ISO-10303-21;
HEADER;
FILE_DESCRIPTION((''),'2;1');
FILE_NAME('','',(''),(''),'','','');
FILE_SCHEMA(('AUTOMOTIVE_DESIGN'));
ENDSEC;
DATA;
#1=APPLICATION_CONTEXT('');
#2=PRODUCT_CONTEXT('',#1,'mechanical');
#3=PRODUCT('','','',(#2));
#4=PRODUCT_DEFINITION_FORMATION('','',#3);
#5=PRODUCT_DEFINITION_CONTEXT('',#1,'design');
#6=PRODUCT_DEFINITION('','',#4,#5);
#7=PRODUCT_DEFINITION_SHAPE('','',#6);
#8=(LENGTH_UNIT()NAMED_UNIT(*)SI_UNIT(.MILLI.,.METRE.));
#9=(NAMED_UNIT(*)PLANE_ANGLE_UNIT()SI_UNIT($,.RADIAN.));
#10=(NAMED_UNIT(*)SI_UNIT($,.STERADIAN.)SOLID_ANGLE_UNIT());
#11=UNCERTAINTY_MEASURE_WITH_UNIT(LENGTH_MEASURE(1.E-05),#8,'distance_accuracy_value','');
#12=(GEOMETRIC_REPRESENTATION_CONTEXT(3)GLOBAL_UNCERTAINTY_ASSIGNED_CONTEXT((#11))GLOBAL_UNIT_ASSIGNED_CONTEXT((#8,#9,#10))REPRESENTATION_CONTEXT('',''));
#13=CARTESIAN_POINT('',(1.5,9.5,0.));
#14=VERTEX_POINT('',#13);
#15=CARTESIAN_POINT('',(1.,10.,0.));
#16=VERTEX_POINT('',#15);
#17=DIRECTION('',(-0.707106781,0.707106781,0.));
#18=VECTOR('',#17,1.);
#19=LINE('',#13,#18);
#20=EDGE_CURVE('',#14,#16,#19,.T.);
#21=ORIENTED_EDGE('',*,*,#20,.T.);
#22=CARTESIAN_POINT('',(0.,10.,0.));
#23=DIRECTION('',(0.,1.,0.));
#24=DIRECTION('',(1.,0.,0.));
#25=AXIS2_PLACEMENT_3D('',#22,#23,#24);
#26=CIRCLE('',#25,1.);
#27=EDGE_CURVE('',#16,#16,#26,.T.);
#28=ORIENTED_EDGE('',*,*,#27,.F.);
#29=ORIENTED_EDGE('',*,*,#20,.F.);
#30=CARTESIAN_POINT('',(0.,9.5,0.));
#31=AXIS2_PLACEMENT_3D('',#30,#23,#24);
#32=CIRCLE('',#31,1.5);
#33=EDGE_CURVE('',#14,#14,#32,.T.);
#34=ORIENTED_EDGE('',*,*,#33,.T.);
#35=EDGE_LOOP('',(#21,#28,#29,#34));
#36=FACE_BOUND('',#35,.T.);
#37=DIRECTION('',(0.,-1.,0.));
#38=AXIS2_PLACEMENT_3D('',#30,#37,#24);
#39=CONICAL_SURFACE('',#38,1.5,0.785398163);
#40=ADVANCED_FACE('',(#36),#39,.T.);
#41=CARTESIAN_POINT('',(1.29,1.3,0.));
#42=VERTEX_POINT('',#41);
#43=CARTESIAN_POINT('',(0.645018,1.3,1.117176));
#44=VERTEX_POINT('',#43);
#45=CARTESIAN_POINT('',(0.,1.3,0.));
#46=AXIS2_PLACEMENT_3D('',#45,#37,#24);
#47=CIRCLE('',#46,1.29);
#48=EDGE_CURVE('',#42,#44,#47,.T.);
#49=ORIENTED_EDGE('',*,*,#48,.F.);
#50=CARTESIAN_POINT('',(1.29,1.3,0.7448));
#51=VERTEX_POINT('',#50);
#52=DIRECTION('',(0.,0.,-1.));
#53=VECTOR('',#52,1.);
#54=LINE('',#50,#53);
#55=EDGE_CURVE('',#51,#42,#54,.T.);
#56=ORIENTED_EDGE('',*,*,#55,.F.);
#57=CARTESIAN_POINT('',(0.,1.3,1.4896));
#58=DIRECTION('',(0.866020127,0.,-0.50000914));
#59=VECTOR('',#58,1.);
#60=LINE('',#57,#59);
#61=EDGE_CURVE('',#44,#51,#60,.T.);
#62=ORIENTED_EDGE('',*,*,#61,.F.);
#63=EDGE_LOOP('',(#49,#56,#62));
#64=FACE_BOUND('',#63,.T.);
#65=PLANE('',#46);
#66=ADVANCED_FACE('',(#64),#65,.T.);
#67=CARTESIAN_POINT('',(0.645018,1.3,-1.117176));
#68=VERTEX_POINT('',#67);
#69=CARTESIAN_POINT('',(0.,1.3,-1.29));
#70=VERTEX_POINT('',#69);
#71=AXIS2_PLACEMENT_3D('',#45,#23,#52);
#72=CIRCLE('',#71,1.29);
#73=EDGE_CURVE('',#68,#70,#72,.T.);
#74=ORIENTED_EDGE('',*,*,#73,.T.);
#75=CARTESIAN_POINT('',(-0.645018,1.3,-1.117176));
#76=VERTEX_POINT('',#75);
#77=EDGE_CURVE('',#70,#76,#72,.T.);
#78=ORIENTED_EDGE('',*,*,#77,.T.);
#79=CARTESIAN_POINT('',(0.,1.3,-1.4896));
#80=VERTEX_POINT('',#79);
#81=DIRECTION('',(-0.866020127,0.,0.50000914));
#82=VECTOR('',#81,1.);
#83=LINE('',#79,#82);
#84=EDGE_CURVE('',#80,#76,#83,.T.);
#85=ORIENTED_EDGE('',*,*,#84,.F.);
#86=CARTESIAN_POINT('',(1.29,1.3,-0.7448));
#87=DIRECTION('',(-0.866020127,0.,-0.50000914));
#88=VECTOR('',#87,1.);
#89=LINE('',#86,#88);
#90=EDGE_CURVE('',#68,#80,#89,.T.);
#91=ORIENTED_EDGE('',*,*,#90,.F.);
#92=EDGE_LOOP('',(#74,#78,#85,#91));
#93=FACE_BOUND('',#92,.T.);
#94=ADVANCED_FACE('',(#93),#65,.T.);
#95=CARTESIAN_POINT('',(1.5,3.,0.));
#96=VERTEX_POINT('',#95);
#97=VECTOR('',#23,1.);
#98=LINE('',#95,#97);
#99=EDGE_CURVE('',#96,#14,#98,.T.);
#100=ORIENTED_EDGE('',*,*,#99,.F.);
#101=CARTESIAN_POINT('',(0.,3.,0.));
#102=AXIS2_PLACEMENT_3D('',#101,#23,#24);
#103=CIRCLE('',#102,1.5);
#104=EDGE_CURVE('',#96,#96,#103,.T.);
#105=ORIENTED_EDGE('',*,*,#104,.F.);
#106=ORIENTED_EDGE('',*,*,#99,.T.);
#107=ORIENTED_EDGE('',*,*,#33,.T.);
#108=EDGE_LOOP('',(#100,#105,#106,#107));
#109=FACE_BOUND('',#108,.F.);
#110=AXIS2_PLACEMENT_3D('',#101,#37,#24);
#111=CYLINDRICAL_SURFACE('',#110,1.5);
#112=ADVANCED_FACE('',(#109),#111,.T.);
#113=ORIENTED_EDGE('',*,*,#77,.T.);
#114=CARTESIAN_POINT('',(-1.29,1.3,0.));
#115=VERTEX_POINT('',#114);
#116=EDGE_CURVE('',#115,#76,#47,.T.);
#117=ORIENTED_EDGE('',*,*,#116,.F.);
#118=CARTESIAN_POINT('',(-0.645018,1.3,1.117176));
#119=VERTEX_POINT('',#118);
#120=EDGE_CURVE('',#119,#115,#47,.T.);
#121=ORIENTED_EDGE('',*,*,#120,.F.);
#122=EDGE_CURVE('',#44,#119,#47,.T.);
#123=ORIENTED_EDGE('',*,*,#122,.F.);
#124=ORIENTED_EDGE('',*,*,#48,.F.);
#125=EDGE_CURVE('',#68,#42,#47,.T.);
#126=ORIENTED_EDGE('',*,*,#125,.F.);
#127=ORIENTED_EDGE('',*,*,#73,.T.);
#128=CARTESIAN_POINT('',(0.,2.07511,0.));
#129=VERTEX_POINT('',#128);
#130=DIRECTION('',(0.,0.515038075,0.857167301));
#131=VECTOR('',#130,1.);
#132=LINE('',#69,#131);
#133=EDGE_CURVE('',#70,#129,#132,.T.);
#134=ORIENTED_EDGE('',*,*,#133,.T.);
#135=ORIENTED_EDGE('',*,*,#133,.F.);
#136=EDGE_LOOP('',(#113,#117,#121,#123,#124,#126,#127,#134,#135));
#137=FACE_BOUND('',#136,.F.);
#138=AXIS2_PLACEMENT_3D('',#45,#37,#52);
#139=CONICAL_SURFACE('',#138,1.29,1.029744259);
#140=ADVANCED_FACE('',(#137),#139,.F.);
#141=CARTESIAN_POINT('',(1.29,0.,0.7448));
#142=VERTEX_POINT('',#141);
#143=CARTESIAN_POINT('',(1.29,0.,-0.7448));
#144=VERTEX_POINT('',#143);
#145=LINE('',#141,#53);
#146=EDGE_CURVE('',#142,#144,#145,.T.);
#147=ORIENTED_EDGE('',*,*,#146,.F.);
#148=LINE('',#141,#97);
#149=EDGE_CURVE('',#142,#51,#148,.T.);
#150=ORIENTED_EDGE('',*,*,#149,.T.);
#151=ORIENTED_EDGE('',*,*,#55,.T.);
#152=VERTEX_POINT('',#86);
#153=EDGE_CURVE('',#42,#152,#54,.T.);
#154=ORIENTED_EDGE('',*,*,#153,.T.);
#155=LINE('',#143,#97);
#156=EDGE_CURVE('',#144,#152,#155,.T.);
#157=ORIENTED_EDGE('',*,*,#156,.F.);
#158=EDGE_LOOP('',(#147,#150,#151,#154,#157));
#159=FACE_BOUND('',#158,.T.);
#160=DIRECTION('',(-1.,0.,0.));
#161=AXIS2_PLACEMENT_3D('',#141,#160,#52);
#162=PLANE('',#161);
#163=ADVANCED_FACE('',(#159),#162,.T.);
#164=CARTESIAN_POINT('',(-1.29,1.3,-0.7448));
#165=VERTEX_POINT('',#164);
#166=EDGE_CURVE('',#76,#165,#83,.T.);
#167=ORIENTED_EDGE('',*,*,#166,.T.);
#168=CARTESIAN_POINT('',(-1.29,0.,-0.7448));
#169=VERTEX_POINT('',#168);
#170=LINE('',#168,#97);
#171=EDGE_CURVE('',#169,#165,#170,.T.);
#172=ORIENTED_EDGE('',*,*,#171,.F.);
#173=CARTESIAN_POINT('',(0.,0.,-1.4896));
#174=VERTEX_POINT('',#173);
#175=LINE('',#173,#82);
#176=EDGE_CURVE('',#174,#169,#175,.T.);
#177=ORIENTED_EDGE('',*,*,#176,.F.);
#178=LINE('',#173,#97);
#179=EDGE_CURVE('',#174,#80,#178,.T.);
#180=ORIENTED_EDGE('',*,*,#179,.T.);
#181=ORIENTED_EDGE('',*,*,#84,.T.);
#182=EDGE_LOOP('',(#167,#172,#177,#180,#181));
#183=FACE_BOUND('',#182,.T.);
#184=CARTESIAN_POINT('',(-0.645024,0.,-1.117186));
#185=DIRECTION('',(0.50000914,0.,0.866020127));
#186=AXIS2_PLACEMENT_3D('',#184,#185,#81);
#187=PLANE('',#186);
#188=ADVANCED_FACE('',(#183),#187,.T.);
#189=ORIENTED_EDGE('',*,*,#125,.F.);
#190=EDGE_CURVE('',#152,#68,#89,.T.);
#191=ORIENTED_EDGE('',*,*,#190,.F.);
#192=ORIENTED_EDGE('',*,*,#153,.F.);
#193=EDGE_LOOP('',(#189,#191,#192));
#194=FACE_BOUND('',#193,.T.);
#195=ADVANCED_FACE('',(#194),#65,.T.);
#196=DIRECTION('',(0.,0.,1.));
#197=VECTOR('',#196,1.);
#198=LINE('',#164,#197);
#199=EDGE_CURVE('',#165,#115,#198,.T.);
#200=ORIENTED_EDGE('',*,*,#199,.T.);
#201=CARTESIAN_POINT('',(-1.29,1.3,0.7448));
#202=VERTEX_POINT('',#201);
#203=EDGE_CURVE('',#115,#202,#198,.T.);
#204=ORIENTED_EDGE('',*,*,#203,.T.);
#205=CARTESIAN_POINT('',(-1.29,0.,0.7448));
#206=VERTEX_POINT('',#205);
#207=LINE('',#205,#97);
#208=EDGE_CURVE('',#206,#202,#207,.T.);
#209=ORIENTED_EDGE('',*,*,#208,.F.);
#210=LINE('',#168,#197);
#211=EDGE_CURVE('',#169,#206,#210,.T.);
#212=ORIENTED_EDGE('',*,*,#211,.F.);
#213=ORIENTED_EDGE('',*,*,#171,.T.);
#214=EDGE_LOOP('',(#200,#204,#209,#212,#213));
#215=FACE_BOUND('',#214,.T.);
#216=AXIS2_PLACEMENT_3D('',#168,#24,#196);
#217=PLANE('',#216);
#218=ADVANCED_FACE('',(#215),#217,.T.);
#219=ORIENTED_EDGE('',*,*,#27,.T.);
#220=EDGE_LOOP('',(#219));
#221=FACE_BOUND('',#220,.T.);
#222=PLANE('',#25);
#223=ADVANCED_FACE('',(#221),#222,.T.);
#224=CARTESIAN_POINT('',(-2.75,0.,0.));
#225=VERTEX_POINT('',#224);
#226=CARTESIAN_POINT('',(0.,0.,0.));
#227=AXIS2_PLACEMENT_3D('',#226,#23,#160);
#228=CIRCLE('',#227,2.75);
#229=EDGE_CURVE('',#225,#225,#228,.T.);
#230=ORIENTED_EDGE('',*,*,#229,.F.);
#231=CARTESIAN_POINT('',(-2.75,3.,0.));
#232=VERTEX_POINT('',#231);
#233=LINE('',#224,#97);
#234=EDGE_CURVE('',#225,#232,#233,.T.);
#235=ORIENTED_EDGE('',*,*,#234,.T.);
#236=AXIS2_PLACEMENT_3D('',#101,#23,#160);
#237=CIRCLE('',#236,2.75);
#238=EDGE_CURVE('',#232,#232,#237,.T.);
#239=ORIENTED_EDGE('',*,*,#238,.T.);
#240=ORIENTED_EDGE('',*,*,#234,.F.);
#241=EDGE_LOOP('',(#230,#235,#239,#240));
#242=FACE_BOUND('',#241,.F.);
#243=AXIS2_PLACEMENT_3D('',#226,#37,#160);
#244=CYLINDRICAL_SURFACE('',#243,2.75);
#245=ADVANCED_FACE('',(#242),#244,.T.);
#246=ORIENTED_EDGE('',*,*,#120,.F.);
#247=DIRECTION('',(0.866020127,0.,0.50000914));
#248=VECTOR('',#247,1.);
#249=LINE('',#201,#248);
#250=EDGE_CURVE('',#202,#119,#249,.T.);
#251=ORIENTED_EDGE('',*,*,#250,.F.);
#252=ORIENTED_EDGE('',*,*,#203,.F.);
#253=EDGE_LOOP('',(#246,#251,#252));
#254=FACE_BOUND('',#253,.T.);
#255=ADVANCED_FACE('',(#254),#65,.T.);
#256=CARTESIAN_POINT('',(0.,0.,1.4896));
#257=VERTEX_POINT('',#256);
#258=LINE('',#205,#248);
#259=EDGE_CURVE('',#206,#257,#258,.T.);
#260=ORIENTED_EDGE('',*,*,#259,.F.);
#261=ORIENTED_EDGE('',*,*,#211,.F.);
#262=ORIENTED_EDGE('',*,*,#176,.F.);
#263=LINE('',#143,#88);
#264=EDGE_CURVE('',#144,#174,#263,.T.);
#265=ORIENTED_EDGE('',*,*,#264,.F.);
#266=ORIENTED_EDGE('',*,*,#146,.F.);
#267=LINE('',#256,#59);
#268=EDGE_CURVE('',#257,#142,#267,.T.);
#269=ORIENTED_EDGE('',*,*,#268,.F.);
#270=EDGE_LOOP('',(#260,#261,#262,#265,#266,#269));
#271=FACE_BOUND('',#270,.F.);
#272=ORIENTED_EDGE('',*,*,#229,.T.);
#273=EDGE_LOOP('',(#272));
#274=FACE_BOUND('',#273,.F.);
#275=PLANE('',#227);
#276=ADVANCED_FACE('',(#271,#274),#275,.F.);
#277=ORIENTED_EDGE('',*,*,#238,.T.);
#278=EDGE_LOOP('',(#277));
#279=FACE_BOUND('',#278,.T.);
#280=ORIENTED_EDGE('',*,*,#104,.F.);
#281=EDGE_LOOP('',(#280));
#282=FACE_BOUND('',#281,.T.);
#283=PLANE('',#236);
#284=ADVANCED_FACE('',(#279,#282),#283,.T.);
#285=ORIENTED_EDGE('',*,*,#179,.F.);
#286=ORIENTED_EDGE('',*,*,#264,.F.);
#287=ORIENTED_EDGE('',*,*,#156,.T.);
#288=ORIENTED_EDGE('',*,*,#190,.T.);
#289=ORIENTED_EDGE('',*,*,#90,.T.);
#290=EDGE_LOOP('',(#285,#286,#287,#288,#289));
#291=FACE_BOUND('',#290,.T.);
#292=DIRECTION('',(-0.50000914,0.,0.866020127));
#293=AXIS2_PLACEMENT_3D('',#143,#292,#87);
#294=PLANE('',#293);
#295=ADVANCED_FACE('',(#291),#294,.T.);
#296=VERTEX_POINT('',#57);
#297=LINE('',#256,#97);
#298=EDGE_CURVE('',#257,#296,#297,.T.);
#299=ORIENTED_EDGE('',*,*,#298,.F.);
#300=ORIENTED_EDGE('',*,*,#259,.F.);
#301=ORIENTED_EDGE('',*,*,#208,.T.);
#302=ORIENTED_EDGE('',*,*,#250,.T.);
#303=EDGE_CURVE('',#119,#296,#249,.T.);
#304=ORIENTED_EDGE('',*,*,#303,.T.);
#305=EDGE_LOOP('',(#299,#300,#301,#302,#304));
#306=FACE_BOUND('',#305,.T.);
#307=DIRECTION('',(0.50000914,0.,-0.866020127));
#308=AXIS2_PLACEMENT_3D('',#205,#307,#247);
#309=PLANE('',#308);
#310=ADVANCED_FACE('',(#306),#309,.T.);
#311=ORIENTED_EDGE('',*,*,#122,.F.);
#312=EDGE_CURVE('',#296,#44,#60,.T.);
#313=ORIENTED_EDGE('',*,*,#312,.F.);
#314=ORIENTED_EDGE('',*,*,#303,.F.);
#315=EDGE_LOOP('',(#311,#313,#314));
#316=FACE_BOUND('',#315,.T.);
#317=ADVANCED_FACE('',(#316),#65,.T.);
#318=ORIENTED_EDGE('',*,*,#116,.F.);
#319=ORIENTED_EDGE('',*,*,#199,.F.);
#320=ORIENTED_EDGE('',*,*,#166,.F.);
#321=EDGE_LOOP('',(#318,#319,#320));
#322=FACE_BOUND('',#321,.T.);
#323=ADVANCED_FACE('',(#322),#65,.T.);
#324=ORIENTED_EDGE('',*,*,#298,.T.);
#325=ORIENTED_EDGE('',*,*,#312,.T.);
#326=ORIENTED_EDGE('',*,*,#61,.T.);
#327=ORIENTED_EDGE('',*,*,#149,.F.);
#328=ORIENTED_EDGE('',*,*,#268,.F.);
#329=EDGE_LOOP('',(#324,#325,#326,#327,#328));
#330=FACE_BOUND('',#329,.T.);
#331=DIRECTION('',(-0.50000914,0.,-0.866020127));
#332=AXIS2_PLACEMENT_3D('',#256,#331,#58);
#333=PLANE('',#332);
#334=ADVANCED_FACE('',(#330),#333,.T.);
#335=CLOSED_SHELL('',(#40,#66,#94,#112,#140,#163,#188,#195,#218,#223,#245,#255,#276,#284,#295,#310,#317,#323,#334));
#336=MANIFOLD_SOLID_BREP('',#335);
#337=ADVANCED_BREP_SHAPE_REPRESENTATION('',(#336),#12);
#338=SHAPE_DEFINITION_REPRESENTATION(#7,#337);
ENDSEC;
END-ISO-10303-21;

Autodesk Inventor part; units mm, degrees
ref_plane "YZ Plane" through (0, 0, 0) normal (1, 0, 0) x (0, 1, 0)
ref_plane "XZ Plane" through (0, 0, 0) normal (0, 1, 0) x (-1, 0, 0)
ref_plane "XY Plane" through (0, 0, 0) normal (0, 0, 1) x (1, 0, 0)
sketch "Boceto1" plane through (0, 0, 0) normal (0, 1, 0) x (-1, 0, 0)
  circle A0 centre (0, 0) radius 2.75
  dimension "d0" = 5.5
extrude "Extrusión1" add sketch "Boceto1" along normal blind 3
sketch "Boceto2" plane through (0, 0, 0) normal (0, -1, 0) x (1, 0, 0)
  point P0 (0, 0)
  point P1 (0, 0)
hole "Agujero1" at (0, 0, 0) direction (0, 1, 0) diameter 2.58 depth 1.3 tip angle 118
sketch "Boceto3" plane through (0, 0, 0) normal (0, -1, 0) x (1, 0, 0)
  circle A0 centre (0, 0) radius 1.29 projected
  line L0 (0, 1.4896) -> (1.29, 0.7448)
  line L1 (1.29, 0.7448) -> (1.29, -0.7448)
  line L2 (1.29, -0.7448) -> (0, -1.4896)
  line L3 (0, -1.4896) -> (-1.29, -0.7448)
  line L4 (-1.29, -0.7448) -> (-1.29, 0.7448)
  line L5 (-1.29, 0.7448) -> (0, 1.4896)
extrude "Extrusión2" cut sketch "Boceto3" against normal blind 1.3
sketch "Boceto4" plane through (0, 3, 0) normal (0, 1, 0) x (1, 0, 0)
  circle A0 centre (0, 0) radius 1.5
  dimension "d12" = 3
extrude "Extrusión3" add sketch "Boceto4" along normal blind 7
thread "Rosca1" size "M3x0.5" class "6g" standard "ANSI Metric M Profile" full length
chamfer "Chaflán1" distance 0.5 angle 45 1 edges at (-1.5, 10, 0)
properties part number "TornilloM3" material "Hierro, gris"
